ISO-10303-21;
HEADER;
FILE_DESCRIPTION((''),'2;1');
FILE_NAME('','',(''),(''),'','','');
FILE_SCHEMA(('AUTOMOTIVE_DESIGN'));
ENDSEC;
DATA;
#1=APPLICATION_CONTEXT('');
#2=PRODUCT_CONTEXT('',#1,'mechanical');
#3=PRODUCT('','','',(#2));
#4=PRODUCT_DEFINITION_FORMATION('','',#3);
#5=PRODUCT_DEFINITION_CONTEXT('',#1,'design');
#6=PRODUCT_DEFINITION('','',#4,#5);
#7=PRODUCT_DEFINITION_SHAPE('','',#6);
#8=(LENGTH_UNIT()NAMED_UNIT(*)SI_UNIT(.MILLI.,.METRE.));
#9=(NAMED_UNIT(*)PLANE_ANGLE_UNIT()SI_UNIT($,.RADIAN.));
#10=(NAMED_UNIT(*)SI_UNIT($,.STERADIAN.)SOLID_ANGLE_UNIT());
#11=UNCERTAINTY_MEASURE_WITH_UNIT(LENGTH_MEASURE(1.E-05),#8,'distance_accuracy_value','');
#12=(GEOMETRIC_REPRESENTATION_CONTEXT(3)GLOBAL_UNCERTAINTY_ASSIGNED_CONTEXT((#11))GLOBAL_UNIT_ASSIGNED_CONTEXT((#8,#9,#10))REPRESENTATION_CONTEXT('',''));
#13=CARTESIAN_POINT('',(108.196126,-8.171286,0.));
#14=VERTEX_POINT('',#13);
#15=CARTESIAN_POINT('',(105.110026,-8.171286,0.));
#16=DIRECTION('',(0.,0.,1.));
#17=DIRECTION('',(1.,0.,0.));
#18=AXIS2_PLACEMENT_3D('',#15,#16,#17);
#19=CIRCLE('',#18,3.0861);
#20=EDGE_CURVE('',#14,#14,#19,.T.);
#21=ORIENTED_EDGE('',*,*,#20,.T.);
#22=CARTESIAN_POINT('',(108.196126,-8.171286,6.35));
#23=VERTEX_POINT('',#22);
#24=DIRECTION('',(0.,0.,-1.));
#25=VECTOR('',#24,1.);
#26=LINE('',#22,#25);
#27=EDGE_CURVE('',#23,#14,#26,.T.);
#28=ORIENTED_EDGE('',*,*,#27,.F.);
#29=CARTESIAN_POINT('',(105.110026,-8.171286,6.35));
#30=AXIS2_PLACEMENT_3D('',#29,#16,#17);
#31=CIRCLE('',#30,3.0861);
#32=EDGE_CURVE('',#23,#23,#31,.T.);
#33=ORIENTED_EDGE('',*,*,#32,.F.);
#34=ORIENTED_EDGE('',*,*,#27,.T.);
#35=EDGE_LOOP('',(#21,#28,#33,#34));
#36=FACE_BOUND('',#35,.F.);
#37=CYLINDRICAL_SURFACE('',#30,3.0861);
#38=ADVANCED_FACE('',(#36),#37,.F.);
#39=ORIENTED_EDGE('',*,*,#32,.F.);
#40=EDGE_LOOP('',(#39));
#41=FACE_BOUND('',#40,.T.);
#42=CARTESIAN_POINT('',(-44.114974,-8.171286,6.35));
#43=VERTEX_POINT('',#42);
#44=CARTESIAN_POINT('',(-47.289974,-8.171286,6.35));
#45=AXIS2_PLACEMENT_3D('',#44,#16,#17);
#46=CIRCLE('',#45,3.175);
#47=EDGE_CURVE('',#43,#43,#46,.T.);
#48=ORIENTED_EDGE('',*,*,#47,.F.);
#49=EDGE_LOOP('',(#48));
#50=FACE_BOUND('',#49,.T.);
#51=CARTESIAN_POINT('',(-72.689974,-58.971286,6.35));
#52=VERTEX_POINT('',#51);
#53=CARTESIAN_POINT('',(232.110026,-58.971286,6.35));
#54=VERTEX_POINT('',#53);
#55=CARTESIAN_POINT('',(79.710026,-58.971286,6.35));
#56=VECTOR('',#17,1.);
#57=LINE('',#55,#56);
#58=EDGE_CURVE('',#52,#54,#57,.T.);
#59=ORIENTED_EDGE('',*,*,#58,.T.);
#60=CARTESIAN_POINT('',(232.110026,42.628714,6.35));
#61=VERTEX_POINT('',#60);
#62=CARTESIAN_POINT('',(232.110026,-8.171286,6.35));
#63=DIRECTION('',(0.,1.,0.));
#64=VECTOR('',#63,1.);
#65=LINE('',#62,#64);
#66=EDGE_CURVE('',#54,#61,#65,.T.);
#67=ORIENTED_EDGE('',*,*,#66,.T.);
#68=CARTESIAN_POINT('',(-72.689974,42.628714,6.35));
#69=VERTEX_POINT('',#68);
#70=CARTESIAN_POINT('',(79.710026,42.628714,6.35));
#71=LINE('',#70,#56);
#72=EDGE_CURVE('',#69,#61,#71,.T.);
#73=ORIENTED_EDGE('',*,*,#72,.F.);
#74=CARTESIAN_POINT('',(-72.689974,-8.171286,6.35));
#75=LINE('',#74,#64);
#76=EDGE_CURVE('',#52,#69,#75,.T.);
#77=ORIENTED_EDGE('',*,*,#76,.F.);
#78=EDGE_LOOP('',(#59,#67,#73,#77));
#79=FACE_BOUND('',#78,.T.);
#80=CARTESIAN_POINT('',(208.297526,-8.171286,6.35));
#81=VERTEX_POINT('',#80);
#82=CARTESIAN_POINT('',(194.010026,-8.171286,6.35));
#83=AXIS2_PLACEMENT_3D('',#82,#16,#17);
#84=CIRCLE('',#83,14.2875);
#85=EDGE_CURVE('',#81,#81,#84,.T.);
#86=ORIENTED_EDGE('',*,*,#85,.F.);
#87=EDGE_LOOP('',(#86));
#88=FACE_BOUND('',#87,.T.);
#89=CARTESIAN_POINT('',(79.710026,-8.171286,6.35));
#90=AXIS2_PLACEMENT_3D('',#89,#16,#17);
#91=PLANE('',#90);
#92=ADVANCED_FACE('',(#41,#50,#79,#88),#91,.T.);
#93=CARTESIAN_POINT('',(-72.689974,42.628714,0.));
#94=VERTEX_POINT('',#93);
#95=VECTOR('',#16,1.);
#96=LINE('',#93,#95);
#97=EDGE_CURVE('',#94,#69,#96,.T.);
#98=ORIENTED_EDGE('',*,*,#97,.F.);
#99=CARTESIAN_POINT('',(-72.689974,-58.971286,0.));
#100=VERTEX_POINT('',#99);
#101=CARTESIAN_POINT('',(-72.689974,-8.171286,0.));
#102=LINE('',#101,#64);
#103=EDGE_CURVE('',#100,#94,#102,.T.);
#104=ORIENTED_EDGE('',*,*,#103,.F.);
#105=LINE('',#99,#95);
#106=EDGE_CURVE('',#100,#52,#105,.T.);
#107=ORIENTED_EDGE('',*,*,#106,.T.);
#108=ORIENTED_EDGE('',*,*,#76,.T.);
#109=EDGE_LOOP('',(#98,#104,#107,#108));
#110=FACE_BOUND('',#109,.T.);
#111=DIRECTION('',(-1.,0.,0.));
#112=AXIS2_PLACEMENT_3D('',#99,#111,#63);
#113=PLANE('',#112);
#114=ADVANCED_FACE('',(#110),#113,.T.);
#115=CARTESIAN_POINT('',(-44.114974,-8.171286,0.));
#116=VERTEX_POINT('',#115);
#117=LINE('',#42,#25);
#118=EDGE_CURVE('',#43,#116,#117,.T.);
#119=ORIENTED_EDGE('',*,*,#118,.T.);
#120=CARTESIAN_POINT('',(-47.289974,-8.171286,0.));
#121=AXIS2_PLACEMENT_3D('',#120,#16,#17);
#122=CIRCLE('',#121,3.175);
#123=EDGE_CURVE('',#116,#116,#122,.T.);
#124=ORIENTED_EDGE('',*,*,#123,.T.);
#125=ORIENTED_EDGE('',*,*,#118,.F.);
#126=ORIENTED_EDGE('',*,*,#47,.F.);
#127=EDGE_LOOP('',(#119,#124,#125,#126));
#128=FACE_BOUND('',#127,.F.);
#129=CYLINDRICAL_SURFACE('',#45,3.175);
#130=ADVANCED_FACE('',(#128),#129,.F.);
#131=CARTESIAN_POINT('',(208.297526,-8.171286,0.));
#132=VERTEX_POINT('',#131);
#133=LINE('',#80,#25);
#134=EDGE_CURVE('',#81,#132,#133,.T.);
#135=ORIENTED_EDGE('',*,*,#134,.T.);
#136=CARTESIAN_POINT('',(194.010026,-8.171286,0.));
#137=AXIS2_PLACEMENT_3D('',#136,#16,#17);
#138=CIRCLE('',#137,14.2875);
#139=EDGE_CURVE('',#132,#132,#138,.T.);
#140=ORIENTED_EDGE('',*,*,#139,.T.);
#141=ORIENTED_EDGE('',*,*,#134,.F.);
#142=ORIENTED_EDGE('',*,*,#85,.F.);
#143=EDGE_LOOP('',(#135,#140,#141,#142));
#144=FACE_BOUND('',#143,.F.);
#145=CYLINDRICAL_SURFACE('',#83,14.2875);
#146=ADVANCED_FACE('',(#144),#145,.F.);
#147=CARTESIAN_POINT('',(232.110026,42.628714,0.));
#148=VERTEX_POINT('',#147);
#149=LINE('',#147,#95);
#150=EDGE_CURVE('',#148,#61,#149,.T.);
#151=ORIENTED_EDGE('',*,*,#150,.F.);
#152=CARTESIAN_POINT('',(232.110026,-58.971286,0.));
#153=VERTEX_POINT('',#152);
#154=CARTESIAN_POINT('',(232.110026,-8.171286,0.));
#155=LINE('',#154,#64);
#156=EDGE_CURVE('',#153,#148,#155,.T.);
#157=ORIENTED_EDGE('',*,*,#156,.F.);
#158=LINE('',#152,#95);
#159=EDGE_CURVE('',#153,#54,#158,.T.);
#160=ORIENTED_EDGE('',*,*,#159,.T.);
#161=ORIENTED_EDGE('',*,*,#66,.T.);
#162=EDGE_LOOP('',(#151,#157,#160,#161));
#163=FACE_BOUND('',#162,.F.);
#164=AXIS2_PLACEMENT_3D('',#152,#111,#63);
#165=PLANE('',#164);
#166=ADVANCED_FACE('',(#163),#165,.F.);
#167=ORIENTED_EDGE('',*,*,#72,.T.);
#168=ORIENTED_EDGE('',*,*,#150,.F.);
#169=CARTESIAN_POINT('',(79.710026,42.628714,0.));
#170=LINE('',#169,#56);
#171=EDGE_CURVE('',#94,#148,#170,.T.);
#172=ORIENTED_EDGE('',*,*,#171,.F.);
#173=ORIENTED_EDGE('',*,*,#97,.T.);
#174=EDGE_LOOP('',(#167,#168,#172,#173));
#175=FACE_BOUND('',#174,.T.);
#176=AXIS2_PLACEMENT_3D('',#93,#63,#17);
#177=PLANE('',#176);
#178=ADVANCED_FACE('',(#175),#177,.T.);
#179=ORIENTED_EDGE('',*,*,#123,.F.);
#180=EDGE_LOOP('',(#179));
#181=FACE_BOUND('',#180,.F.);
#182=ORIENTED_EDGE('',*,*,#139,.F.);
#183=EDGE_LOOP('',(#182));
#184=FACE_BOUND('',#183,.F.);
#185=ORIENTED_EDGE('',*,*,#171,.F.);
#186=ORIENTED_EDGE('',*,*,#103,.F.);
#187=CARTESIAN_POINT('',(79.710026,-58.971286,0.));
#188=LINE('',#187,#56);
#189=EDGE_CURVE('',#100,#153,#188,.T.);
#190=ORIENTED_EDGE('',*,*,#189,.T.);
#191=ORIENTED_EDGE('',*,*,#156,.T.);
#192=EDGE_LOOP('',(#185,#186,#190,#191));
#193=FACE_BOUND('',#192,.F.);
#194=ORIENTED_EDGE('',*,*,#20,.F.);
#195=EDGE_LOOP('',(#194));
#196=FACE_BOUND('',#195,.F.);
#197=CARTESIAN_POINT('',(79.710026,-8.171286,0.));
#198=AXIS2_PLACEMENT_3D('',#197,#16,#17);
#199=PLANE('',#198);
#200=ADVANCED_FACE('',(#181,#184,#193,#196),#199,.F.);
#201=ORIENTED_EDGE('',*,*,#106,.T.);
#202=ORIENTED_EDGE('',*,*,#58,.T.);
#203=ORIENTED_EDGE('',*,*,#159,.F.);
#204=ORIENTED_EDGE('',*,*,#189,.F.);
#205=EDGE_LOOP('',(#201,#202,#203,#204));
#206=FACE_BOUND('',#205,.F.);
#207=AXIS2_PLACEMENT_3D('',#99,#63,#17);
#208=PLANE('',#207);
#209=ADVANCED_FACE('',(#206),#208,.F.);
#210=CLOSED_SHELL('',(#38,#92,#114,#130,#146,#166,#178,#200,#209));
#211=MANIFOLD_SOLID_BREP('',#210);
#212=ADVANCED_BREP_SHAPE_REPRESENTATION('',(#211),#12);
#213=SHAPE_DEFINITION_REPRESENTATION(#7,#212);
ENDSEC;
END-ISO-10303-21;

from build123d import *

# Parameters (mm, degrees)
F0_W     = 304.8
F0_H     = 101.6
F1_DEPTH = 6.35
F2_R     = 3.175
F3_DEPTH = 6.35
F4_R     = 14.2875
F5_DEPTH = 6.35
F6_R     = 3.0861
F7_DEPTH = 6.35


with BuildPart() as f1:
    # F0 (on Top) → F1 (new body)
    with BuildSketch(Plane.XY):
        with Locations((79.710026, -8.171286)):
            Rectangle(F0_W, F0_H)
    extrude(amount=F1_DEPTH)

    # F2 (on face) → F3 (cut)
    with BuildSketch(Plane.XY.offset(6.35)):
        with Locations((-47.289974, -8.171286)):
            Circle(F2_R)
    extrude(amount=-F3_DEPTH, mode=Mode.SUBTRACT)

    # F4 (on face) → F5 (cut)
    with BuildSketch(Plane.XY.offset(6.35)):
        with Locations((194.010026, -8.171286)):
            Circle(F4_R)
    extrude(amount=-F5_DEPTH, mode=Mode.SUBTRACT)

    # F6 (on face) → F7 (cut)
    with BuildSketch(Plane.XY.offset(6.35)):
        with Locations((105.110026, -8.171286)):
            Circle(F6_R)
    extrude(amount=-F7_DEPTH, mode=Mode.SUBTRACT)


solid = f1.part
